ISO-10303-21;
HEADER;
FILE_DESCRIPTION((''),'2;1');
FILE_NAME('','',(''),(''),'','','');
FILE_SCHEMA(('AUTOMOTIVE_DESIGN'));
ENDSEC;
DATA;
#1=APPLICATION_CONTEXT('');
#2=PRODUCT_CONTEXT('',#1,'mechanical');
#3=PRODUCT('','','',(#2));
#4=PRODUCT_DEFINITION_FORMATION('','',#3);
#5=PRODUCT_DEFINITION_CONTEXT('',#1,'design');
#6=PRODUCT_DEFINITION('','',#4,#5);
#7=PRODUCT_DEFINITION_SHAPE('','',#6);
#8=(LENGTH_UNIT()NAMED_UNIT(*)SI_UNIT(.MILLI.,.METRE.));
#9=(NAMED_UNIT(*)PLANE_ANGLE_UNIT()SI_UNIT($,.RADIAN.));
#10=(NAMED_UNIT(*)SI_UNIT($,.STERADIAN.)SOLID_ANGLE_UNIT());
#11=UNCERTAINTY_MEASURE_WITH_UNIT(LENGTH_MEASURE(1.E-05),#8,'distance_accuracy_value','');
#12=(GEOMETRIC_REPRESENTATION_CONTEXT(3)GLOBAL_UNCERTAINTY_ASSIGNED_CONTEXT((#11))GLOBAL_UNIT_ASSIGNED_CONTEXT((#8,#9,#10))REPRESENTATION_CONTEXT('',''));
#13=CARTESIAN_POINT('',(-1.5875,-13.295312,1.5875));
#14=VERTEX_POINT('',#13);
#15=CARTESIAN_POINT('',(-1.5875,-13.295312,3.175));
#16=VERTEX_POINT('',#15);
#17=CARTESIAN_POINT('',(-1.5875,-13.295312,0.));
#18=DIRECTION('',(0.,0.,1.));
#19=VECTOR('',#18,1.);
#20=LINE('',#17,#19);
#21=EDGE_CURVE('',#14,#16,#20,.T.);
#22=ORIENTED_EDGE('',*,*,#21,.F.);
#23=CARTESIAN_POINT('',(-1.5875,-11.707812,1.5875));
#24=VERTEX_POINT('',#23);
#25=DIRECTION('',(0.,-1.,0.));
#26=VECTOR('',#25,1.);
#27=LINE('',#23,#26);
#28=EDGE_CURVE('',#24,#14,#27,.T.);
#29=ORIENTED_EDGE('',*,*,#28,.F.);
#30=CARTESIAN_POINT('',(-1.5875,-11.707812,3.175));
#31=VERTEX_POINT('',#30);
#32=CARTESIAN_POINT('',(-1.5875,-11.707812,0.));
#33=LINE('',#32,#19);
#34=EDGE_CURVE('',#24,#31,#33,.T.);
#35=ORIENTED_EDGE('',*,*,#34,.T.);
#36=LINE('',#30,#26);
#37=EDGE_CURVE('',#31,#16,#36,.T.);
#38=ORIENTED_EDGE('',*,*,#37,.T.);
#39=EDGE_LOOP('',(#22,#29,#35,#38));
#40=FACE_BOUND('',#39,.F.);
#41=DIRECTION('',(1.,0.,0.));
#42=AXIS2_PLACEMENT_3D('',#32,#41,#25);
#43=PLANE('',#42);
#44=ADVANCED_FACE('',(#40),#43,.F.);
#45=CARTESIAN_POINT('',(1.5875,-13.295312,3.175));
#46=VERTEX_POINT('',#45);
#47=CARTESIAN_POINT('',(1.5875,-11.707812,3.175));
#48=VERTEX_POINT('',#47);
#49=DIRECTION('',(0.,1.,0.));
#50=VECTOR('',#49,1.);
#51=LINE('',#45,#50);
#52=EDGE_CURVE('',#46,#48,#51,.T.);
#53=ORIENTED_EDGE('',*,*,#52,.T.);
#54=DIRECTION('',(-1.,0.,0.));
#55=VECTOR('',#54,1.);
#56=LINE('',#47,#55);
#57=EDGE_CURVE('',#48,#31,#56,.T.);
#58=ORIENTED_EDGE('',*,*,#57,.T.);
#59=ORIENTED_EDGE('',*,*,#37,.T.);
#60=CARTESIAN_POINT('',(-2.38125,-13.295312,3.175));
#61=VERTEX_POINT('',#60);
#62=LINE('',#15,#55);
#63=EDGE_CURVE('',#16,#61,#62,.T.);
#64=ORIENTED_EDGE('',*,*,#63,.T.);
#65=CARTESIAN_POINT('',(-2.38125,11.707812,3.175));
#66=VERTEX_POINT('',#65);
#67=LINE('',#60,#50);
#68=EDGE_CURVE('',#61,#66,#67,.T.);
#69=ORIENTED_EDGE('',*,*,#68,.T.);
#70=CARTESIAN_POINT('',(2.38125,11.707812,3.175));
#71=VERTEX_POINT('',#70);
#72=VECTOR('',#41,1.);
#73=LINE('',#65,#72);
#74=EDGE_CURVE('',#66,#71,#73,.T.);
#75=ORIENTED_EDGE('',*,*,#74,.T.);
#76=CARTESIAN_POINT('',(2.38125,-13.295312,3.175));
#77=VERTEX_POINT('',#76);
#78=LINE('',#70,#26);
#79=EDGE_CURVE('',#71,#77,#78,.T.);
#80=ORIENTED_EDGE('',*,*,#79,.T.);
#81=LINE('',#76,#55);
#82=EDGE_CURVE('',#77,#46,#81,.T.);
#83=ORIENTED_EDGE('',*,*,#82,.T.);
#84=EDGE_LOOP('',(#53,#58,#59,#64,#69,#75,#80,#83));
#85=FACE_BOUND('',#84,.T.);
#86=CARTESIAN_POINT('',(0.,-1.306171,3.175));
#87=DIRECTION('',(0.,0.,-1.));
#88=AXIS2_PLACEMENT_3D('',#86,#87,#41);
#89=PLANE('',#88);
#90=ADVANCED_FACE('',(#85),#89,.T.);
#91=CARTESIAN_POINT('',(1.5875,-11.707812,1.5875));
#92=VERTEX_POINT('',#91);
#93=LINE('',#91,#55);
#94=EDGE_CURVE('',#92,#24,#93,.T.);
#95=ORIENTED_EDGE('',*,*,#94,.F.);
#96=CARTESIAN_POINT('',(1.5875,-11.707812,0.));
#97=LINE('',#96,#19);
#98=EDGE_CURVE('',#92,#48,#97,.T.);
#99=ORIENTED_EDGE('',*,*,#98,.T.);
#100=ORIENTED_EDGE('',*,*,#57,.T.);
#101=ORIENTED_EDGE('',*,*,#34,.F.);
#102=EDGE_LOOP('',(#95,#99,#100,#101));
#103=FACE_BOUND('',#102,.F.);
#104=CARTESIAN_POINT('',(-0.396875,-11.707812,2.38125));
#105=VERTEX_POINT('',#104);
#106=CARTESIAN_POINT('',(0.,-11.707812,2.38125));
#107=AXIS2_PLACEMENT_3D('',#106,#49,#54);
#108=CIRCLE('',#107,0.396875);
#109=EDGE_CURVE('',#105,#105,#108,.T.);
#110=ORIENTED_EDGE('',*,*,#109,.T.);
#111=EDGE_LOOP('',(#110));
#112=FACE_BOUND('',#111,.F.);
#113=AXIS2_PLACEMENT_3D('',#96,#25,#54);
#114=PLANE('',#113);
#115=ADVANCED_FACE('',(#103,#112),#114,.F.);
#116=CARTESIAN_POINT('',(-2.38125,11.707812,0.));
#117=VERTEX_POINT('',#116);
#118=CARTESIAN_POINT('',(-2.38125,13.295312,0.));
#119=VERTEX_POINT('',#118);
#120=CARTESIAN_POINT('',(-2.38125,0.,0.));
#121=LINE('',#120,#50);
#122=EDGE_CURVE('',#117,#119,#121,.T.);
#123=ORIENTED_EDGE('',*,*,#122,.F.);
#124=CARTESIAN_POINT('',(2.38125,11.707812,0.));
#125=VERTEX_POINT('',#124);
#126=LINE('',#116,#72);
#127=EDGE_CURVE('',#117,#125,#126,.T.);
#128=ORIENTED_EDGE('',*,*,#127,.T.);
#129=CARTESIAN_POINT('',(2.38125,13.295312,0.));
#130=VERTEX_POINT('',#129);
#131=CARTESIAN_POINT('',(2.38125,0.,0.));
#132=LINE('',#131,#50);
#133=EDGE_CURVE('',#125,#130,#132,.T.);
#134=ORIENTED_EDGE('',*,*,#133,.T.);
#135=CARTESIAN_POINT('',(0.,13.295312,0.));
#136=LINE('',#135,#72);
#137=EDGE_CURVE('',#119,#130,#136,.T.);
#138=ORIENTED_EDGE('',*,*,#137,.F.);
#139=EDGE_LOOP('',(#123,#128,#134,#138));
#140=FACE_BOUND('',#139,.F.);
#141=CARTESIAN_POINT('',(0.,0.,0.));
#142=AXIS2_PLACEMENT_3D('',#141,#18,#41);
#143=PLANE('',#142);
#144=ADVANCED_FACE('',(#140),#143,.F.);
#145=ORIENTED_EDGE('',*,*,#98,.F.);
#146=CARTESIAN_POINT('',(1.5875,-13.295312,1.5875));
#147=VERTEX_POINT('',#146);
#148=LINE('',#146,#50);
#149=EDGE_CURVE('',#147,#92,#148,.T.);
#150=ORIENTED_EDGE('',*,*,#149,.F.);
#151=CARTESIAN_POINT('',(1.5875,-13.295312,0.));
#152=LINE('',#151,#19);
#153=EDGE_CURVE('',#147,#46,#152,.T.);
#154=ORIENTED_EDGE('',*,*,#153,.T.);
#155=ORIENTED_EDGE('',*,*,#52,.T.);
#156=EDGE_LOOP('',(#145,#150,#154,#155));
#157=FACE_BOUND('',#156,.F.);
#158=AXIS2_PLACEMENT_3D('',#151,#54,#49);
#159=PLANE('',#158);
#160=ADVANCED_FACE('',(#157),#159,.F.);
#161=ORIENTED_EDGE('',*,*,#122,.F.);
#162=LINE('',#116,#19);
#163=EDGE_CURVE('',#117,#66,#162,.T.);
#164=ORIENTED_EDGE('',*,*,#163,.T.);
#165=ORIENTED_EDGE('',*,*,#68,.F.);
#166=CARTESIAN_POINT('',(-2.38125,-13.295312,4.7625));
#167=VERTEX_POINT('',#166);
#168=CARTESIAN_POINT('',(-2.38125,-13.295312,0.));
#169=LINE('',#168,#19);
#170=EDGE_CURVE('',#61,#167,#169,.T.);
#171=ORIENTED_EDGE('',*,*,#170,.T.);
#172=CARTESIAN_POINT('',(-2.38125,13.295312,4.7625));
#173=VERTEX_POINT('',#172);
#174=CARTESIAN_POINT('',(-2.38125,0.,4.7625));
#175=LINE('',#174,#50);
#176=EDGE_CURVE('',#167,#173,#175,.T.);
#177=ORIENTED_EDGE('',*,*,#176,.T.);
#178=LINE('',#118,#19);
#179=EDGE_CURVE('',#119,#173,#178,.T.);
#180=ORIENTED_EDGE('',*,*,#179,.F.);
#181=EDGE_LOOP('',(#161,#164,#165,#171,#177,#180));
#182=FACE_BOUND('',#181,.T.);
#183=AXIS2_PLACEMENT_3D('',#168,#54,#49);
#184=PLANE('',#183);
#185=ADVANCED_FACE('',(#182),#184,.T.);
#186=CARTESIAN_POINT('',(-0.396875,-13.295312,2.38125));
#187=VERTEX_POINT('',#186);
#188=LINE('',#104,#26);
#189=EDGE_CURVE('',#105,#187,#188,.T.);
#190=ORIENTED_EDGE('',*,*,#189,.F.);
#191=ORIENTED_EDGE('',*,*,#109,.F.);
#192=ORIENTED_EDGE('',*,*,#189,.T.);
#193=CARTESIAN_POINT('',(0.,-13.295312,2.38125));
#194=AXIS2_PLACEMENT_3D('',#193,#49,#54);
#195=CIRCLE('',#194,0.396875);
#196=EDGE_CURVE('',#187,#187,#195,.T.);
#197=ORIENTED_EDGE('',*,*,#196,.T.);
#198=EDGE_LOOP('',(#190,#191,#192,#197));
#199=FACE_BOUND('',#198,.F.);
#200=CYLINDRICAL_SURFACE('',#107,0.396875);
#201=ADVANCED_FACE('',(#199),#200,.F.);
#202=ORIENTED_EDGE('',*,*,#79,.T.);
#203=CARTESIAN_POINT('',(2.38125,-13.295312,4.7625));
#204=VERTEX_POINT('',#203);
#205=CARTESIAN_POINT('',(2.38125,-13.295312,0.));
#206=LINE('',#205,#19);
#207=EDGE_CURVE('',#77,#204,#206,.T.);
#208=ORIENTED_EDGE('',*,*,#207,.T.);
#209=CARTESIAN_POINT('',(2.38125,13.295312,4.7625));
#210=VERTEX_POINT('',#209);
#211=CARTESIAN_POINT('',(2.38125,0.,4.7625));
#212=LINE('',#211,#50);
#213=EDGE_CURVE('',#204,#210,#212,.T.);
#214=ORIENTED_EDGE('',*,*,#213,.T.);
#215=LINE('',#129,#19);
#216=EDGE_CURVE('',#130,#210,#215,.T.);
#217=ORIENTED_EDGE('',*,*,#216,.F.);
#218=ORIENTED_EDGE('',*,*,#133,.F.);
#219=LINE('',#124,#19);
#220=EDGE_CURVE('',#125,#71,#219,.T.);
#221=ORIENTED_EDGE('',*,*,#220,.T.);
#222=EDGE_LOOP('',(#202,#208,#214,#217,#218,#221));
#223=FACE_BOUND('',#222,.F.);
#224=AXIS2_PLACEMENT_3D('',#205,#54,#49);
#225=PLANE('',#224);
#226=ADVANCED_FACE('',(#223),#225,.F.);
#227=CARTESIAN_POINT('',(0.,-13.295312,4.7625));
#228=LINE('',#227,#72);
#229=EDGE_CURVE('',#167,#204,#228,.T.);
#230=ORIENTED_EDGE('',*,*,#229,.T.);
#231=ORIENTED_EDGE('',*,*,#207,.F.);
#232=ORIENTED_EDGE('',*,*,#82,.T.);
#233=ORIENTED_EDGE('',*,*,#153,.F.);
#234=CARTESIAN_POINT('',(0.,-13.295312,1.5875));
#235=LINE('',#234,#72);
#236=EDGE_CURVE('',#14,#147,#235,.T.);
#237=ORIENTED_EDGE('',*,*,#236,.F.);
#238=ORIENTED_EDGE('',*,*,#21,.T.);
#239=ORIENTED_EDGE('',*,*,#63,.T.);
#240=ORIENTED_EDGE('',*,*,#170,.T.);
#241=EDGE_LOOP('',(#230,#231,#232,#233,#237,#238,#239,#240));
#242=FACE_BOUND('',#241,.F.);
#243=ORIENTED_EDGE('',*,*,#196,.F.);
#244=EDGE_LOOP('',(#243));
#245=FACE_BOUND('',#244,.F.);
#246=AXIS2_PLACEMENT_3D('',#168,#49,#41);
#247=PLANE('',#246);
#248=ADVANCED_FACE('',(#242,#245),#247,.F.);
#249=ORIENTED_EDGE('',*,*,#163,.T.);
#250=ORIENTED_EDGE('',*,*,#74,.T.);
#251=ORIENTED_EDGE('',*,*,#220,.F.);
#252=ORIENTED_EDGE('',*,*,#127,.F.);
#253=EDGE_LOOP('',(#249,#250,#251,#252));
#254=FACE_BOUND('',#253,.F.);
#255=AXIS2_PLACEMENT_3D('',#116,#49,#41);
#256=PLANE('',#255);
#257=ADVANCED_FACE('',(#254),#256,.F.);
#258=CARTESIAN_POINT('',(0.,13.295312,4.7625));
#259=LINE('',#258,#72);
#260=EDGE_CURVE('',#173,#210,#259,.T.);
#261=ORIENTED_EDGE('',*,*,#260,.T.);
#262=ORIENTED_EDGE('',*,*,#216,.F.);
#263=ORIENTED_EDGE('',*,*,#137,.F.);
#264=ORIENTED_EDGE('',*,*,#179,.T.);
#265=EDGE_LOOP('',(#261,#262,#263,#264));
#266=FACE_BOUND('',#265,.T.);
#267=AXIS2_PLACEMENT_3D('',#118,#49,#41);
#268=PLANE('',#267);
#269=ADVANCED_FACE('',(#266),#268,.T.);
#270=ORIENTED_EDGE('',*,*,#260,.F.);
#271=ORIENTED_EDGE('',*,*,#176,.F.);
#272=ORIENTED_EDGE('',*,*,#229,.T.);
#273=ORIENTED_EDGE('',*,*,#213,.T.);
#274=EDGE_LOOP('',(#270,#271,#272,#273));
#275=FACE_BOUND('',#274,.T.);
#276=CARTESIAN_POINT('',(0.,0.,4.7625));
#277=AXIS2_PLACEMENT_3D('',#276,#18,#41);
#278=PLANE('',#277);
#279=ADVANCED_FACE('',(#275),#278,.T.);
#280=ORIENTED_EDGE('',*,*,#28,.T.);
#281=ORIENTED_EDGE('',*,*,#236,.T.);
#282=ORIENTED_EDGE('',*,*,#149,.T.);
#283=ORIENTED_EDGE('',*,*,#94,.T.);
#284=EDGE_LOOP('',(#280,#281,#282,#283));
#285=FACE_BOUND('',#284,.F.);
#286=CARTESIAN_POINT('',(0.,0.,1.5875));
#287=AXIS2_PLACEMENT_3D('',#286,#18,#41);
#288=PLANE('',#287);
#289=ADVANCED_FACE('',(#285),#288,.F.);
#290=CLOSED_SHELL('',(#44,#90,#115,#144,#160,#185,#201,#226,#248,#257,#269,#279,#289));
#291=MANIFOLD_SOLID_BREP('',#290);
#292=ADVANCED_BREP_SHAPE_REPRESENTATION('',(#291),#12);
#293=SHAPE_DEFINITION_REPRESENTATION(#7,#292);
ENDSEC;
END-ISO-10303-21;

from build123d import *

# Parameters (mm, degrees)
F0_W     = 4.7625
F0_H     = 26.590625
F1_DEPTH = 4.7625
F3_DEPTH = 3.175
F4_DEPTH = 1.5875
F5_R     = 0.396875
F6_DEPTH = 1.5885


with BuildPart() as f1:
    # F0 (on Top) → F1 (new body)
    with BuildSketch(Plane.XY):
        Rectangle(F0_W, F0_H)
    extrude(amount=F1_DEPTH)

    # F2 (on face) → F3 (cut)
    with BuildSketch(Plane(origin=(0, 0, 0), x_dir=(1, 0, 0), z_dir=(0, 0, -1))):
        Polygon((-2.38125, -11.7078125), (2.38125, -11.7078125), (2.38125, 13.2953125), (1.5875, 13.2953125), (1.5875, 11.7078125), (-1.5875, 11.7078125), (-1.5875, 13.2953125), (-2.38125, 13.2953125), align=None)
    extrude(amount=-F3_DEPTH, mode=Mode.SUBTRACT)

    # F4 (cut): a face of the model
    f4_faces = [f1.faces().sort_by_distance(p)[0] for p in [
        (0, -12.5015625, 0),
    ]]
    extrude(f4_faces, amount=-F4_DEPTH, mode=Mode.SUBTRACT)

    # F5 (on face) → F6 (cut, through all)
    with BuildSketch(Plane(origin=(0, -11.7078125, 0), x_dir=(-1, 0, 0), z_dir=(0, 1, 0))):
        with Locations((0, 2.38125)):
            Circle(F5_R)
    extrude(amount=-F6_DEPTH, mode=Mode.SUBTRACT)


solid = f1.part
